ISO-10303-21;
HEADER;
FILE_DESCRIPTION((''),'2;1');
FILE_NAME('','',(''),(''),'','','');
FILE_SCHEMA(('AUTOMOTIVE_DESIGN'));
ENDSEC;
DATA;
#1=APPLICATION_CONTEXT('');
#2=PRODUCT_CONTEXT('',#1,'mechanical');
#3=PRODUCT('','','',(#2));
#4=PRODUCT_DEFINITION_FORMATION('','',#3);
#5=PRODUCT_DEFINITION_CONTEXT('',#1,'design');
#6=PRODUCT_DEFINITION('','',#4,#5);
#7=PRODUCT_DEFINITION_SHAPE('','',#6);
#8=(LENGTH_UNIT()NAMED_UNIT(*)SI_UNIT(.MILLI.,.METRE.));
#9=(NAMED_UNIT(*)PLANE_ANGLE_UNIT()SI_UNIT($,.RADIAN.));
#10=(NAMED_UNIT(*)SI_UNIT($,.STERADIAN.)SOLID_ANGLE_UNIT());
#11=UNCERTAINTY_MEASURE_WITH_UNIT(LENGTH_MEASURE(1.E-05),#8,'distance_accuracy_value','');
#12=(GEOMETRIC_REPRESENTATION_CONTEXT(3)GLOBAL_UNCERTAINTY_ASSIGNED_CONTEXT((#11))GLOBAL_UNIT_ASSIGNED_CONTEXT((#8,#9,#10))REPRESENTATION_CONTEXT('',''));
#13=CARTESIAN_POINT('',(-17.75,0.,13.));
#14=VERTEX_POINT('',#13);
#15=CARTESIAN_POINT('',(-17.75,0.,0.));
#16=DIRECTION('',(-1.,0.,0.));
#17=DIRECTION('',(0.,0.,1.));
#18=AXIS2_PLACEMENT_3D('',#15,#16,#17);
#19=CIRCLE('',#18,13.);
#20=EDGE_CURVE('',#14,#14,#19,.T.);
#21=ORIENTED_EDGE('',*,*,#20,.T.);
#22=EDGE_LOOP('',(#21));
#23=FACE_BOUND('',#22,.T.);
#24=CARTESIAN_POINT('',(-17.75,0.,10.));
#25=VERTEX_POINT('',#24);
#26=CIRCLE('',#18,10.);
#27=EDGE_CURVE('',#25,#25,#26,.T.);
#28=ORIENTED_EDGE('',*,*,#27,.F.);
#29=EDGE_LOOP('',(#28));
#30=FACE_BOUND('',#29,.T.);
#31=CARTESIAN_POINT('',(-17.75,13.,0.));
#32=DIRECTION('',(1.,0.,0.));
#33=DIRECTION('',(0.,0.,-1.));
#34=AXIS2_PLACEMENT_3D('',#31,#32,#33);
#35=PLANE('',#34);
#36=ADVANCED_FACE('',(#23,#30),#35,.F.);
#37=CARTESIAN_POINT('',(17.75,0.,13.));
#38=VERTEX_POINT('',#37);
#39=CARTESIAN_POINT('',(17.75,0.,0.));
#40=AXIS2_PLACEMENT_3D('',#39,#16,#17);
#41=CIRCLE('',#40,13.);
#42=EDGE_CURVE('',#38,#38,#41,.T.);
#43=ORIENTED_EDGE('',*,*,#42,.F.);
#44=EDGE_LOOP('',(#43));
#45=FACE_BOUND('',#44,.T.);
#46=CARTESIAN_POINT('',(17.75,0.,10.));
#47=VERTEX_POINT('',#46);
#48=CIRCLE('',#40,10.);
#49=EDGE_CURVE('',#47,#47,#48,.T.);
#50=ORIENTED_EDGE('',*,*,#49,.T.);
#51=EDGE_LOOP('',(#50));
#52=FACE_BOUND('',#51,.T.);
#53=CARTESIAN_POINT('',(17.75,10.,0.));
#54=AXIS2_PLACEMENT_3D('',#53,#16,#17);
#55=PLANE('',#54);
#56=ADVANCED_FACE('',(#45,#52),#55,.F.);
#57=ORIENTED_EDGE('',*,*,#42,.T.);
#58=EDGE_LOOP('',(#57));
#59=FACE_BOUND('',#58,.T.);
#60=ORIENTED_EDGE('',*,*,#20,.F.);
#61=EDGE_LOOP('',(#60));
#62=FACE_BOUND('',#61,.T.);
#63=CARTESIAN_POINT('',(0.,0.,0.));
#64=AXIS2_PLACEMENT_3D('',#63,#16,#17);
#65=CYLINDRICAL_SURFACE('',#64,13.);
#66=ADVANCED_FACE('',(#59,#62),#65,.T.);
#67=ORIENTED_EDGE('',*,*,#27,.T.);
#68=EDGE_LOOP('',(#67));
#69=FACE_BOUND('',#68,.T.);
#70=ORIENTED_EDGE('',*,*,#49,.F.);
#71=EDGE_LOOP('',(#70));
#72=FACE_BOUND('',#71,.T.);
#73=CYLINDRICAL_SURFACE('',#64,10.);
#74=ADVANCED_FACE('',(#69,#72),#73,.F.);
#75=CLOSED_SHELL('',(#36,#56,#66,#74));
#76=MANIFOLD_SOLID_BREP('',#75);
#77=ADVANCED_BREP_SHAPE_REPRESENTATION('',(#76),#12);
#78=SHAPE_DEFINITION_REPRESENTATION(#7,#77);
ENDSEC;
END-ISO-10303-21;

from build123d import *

# Parameters (mm, degrees)
SKETCH_1_W = 35.5
SKETCH_1_H = 3


with BuildPart() as part:
    # Эскиз1 → Повернуть1 (revolve)
    with BuildSketch(Plane.XY, mode=Mode.PRIVATE) as revolve_1_sk:
        with Locations((0, 11.5)):
            Rectangle(SKETCH_1_W, SKETCH_1_H)
    revolve(revolve_1_sk.sketch.rotate(Axis((0, 0, 0), (1, 0, 0)), 90), axis=Axis((0, 0, 0), (1, 0, 0)))


solid = part.part
